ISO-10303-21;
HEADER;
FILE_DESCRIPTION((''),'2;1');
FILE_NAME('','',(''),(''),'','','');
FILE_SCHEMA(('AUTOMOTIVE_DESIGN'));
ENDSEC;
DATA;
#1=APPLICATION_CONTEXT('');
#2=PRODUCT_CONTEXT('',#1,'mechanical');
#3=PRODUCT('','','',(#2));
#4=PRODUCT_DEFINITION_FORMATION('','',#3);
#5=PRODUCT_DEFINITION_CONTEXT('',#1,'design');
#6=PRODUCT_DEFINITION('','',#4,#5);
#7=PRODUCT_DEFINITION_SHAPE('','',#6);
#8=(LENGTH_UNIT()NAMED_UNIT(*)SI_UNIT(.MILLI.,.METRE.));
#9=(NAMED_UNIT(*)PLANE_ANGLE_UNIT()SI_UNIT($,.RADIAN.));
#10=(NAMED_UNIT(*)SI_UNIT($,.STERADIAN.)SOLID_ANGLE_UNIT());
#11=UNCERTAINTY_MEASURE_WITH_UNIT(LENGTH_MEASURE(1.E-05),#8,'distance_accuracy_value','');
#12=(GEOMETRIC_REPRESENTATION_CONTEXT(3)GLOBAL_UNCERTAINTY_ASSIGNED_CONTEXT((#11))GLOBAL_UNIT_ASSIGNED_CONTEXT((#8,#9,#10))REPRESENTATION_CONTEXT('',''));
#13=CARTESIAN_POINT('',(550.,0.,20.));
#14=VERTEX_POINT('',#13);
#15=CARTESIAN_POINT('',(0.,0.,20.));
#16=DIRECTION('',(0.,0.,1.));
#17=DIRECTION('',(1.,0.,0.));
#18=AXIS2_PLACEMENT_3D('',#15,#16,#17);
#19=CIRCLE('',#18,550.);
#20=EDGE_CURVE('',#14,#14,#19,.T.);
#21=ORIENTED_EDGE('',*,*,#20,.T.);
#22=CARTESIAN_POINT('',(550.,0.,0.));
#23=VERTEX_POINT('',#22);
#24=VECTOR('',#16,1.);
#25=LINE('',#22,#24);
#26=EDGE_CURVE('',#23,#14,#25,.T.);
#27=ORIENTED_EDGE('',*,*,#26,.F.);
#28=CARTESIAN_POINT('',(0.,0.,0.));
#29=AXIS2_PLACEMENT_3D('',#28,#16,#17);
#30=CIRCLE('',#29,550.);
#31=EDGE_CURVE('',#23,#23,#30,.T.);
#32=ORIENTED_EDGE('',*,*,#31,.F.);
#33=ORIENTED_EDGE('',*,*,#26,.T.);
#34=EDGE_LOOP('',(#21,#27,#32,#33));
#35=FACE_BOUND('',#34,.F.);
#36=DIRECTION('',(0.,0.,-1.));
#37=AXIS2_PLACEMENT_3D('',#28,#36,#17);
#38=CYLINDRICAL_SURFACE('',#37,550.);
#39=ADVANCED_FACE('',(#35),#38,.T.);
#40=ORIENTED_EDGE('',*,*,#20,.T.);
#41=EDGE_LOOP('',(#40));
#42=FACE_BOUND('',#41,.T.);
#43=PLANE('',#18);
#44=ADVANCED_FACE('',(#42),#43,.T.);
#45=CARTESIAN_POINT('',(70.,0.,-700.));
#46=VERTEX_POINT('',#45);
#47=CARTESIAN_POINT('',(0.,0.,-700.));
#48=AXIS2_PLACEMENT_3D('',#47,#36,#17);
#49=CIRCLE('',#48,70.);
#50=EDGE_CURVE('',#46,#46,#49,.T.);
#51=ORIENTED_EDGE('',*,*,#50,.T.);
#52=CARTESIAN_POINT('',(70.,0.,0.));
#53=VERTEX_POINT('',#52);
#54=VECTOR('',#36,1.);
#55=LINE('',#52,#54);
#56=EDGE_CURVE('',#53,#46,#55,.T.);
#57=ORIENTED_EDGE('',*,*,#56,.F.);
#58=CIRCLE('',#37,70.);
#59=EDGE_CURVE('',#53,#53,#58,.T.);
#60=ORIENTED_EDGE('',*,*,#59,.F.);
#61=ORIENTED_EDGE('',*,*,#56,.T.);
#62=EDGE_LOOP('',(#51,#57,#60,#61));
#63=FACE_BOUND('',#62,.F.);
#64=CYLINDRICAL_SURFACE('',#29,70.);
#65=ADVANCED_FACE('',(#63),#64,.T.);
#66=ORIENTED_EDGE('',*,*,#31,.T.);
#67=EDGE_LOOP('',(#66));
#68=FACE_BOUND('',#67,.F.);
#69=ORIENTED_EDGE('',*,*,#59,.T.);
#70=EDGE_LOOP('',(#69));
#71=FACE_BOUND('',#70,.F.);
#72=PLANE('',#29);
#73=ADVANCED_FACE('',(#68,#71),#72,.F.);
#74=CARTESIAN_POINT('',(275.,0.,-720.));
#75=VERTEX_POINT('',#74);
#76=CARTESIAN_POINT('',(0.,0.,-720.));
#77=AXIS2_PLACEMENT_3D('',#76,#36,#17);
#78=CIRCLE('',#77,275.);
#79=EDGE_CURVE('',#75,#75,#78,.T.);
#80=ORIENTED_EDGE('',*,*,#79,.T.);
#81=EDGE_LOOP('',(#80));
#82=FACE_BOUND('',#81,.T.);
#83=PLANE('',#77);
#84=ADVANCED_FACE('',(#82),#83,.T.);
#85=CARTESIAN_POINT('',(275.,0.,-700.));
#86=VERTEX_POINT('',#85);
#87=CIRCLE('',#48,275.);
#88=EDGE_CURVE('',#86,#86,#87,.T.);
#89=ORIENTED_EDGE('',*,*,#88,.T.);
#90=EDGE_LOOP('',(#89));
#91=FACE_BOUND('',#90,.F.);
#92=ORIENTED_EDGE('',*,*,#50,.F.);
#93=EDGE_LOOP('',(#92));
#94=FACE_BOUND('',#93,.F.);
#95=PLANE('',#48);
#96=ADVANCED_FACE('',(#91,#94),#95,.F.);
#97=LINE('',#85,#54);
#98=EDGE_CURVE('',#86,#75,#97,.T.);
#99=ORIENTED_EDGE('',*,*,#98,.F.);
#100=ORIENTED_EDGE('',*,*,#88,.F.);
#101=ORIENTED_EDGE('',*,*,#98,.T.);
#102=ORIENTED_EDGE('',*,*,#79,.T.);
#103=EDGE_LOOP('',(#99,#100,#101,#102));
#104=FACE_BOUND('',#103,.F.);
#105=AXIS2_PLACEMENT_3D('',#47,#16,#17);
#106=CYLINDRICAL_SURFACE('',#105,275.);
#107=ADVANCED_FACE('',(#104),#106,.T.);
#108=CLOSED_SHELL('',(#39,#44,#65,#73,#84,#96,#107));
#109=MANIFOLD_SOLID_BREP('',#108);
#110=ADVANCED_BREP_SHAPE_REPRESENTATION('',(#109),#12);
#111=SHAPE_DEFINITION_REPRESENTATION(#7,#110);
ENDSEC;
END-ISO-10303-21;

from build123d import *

# Parameters (mm, degrees)
F0_R     = 550
F1_DEPTH = 20
F2_R     = 70
F3_DEPTH = 700
F4_R     = 275
F5_DEPTH = 20


with BuildPart() as f1:
    # F0 (on Top) → F1 (new body)
    with BuildSketch(Plane.XY):
        Circle(F0_R)
    extrude(amount=F1_DEPTH)

    # F2 (on face) → F3 (join)
    with BuildSketch(Plane(origin=(0, 0, 0), x_dir=(1, 0, 0), z_dir=(0, 0, -1))):
        Circle(F2_R)
    extrude(amount=F3_DEPTH)

    # F4 (on face) → F5 (join)
    with BuildSketch(Plane(origin=(0, 0, -700), x_dir=(1, 0, 0), z_dir=(0, 0, -1))):
        Circle(F4_R)
    extrude(amount=F5_DEPTH)


solid = f1.part
